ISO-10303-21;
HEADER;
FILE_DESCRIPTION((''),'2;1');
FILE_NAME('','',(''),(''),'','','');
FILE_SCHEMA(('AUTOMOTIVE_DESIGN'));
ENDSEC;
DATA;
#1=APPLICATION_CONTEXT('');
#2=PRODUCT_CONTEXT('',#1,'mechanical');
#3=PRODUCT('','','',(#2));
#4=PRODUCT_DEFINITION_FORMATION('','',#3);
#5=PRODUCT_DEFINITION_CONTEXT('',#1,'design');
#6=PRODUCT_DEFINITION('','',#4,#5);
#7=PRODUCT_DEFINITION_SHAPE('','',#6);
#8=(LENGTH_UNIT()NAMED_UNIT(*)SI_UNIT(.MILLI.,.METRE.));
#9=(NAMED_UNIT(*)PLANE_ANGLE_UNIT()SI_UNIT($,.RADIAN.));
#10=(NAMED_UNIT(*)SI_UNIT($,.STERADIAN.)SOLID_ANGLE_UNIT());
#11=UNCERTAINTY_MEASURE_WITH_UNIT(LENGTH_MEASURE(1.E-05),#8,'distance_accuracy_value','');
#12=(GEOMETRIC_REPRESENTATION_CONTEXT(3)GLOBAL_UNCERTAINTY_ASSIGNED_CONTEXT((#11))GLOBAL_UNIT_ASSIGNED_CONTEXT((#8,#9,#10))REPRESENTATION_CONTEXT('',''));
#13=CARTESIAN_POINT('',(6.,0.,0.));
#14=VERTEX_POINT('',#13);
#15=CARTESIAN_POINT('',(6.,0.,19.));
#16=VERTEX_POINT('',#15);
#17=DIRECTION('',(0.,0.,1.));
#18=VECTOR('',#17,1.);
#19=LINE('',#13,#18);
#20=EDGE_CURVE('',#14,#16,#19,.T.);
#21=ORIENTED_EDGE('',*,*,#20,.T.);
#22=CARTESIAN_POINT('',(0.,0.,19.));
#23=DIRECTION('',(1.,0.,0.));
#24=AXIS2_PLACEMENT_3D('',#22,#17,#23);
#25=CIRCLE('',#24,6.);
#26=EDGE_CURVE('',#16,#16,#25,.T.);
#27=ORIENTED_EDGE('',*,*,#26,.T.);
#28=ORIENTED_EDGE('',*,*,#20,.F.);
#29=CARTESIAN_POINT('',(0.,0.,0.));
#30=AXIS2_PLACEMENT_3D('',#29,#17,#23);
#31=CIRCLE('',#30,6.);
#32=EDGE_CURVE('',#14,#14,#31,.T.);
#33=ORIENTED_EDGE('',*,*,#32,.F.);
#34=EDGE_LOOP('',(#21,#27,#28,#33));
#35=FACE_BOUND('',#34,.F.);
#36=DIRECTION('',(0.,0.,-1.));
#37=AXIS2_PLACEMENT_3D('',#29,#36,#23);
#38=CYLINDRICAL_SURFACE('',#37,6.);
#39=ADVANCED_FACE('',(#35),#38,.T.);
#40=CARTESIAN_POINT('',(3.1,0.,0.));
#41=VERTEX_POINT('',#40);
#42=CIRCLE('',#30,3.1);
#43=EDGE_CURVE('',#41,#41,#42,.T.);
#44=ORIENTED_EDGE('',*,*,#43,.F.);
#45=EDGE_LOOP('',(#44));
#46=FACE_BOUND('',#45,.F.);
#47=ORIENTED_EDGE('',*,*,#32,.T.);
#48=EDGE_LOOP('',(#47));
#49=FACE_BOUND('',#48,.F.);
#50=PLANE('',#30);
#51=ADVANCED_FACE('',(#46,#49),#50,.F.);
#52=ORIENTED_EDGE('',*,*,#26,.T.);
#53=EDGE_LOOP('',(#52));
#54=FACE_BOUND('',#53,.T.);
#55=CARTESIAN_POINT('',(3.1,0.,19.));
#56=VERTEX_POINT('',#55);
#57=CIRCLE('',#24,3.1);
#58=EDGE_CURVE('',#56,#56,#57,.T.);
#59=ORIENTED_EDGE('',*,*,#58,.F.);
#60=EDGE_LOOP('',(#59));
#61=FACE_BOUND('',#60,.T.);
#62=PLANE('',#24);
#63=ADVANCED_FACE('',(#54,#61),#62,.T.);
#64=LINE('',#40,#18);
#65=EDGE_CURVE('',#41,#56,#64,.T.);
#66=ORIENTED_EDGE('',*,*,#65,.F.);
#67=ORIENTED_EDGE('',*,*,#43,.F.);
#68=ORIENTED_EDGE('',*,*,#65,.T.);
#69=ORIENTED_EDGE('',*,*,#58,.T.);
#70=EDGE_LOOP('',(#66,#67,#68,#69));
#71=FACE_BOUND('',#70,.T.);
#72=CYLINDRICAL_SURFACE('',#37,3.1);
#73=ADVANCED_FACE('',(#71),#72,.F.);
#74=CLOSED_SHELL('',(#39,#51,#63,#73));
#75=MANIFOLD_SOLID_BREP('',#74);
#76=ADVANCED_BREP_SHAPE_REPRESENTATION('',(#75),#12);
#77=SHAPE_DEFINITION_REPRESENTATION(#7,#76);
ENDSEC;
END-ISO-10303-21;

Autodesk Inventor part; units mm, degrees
sketch "Sketch1" plane through (0, 0, 0) normal (0, 0, 1) x (1, 0, 0)
  line L0 (0, 2.8582) -> (0, -2.8582) construction
  line L1 (-5.7775, 0) -> (5.7775, 0) construction
  circle A0 centre (0, 0) radius 6
  circle A1 centre (0, 0) radius 3.1
  dimension "d0" = 12
  dimension "d1" = 6.2
extrude "Extrusion1" add sketch "Sketch1" along normal blind 19
properties part number "Hoes wiel" material "S235"
